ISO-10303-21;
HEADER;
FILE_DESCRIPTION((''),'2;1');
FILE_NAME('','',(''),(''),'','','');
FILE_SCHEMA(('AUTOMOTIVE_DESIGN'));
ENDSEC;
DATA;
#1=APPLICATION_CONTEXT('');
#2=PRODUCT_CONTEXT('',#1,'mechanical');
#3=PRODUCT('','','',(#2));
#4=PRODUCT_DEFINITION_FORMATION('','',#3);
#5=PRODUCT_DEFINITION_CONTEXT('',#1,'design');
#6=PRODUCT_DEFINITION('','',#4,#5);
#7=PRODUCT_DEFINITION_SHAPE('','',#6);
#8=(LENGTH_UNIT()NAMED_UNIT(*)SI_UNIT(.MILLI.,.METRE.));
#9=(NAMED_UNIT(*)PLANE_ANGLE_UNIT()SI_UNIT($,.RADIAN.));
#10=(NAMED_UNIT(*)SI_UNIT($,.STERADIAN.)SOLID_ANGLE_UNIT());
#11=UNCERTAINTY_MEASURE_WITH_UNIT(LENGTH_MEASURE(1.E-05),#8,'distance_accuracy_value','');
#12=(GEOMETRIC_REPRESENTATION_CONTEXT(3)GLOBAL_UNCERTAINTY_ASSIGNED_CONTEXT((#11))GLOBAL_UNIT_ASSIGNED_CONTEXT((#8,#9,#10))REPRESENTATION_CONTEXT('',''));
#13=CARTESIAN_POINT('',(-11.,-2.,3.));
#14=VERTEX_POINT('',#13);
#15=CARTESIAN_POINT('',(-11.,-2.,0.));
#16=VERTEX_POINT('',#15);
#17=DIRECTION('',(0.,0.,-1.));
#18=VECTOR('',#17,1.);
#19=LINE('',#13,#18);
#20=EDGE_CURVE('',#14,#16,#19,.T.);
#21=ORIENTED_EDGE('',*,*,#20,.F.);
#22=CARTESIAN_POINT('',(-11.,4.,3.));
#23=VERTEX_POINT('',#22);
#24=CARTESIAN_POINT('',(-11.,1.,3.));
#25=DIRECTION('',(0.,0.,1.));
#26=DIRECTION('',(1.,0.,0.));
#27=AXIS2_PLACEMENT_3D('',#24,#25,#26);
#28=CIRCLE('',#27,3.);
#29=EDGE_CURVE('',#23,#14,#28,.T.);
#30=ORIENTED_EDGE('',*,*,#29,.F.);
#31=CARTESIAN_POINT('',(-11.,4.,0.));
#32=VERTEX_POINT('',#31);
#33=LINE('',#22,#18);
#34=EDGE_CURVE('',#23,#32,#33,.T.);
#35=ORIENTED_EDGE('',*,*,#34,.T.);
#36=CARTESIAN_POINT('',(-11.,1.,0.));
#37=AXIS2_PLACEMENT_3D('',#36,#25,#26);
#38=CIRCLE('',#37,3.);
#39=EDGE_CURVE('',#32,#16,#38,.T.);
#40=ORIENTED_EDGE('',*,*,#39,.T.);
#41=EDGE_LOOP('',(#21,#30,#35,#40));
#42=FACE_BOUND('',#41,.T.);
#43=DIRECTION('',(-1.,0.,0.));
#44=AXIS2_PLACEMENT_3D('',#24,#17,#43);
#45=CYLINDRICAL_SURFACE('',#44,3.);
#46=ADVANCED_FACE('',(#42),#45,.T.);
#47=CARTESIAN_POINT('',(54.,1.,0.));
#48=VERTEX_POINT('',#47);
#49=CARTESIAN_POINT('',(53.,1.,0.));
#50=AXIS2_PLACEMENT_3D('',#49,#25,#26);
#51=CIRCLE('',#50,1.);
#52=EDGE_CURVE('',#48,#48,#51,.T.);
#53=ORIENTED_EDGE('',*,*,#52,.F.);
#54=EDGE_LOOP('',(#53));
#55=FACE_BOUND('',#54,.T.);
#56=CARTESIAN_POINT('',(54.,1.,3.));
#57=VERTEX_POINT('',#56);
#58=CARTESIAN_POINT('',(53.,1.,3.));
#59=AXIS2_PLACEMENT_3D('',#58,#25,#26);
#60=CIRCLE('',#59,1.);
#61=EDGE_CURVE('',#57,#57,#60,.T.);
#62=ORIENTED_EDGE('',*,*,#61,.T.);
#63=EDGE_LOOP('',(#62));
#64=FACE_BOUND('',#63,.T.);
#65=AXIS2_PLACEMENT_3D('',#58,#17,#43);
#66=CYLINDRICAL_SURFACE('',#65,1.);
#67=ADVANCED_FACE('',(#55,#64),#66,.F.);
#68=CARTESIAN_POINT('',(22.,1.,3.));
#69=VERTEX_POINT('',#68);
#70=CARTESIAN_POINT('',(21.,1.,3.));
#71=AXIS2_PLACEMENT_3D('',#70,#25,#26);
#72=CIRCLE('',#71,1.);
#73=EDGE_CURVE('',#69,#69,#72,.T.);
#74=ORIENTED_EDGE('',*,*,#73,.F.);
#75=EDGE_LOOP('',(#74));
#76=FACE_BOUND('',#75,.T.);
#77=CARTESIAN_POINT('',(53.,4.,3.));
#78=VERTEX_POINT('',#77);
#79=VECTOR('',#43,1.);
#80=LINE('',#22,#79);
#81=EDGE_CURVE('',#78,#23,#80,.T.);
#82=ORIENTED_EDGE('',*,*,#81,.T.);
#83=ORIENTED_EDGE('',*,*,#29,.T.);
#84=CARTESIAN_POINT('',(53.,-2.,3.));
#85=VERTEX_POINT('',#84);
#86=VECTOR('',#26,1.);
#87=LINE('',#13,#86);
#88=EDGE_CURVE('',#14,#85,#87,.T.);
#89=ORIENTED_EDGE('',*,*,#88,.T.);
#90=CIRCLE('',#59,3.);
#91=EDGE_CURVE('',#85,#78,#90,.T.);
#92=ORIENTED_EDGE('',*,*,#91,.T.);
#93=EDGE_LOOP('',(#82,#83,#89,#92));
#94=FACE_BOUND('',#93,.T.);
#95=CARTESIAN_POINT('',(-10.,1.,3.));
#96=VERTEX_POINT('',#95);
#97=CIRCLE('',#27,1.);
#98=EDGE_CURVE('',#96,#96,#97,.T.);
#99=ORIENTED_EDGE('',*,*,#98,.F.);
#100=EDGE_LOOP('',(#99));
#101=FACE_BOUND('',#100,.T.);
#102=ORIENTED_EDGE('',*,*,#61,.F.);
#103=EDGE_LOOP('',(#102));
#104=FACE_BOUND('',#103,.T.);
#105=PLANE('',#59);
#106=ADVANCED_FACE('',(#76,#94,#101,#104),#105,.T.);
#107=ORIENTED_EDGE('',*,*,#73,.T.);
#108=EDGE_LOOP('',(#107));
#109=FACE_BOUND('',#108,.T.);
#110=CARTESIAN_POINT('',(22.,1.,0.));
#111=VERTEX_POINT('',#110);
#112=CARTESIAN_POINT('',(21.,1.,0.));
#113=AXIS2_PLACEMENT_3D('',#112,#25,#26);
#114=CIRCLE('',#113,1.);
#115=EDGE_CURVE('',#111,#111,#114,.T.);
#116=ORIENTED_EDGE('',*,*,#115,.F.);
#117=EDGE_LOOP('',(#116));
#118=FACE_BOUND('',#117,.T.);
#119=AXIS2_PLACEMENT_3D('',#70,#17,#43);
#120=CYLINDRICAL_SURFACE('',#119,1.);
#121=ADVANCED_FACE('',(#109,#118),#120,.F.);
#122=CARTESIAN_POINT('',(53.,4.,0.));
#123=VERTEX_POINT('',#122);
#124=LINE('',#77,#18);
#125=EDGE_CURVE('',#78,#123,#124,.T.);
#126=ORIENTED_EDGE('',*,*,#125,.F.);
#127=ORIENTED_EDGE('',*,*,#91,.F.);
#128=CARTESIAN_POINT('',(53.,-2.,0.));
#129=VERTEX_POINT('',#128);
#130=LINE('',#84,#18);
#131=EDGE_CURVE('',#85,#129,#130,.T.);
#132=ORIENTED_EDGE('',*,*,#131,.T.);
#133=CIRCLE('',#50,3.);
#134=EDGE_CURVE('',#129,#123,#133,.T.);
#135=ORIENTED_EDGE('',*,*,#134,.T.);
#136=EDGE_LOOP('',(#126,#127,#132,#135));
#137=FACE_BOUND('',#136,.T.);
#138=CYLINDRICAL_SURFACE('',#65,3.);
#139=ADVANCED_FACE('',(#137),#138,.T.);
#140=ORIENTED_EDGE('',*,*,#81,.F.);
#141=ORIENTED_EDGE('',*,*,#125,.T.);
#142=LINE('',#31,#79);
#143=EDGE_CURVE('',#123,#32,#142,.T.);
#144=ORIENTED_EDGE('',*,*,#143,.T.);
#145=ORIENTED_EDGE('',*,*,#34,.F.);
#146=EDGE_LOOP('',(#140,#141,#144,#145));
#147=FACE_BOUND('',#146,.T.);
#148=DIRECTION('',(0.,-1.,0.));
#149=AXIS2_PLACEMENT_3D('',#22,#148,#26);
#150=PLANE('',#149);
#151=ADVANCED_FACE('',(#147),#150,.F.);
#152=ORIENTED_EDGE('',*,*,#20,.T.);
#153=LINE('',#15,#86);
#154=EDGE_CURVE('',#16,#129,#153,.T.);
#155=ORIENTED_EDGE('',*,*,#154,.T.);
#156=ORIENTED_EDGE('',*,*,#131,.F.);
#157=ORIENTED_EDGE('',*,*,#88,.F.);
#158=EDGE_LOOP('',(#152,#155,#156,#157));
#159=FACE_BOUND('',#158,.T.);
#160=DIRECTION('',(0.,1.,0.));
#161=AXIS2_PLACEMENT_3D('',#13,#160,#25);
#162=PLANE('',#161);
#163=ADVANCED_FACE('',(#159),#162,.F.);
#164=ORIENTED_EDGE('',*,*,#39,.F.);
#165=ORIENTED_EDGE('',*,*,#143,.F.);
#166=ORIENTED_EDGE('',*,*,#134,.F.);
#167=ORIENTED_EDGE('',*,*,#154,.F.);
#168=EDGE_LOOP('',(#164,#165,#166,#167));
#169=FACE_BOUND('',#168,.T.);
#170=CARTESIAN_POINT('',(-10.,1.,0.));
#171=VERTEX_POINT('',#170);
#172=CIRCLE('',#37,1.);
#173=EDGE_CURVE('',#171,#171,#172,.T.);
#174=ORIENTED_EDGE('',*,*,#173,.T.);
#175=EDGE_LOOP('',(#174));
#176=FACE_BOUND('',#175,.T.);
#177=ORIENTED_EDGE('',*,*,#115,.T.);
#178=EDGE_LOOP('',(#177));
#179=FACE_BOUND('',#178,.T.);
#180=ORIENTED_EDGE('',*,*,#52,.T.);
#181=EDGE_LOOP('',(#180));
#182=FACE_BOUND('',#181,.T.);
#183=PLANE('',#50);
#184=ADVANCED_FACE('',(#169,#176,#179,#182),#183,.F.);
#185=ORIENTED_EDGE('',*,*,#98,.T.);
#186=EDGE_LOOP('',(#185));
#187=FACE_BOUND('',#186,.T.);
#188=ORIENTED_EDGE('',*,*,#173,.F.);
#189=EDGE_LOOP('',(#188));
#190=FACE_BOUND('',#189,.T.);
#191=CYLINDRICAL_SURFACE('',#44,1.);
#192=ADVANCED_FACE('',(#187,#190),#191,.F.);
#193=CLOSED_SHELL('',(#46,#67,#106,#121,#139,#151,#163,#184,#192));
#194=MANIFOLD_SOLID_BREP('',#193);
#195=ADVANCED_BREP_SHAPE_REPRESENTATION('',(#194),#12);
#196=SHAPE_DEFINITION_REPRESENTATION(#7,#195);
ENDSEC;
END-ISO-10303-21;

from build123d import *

# Parameters (mm, degrees)
SKETCH_1_R      = 1
EXTRUDE_1_DEPTH = 3


with BuildPart() as part:
    # 草图1 → 凸台-拉伸1 (new body)
    with BuildSketch(Plane.XY):
        with BuildLine():
            Line((-11, -2), (53, -2))
            ThreePointArc((53, -2), (56, 1), (53, 4))
            Line((53, 4), (-11, 4))
            ThreePointArc((-11, 4), (-14, 1), (-11, -2))
        make_face()
        with Locations((-11, 1)):
            Circle(SKETCH_1_R, mode=Mode.SUBTRACT)
        with Locations((53, 1)):
            Circle(SKETCH_1_R, mode=Mode.SUBTRACT)
        with Locations((21, 1)):
            Circle(SKETCH_1_R, mode=Mode.SUBTRACT)
    extrude(amount=EXTRUDE_1_DEPTH)


solid = part.part
